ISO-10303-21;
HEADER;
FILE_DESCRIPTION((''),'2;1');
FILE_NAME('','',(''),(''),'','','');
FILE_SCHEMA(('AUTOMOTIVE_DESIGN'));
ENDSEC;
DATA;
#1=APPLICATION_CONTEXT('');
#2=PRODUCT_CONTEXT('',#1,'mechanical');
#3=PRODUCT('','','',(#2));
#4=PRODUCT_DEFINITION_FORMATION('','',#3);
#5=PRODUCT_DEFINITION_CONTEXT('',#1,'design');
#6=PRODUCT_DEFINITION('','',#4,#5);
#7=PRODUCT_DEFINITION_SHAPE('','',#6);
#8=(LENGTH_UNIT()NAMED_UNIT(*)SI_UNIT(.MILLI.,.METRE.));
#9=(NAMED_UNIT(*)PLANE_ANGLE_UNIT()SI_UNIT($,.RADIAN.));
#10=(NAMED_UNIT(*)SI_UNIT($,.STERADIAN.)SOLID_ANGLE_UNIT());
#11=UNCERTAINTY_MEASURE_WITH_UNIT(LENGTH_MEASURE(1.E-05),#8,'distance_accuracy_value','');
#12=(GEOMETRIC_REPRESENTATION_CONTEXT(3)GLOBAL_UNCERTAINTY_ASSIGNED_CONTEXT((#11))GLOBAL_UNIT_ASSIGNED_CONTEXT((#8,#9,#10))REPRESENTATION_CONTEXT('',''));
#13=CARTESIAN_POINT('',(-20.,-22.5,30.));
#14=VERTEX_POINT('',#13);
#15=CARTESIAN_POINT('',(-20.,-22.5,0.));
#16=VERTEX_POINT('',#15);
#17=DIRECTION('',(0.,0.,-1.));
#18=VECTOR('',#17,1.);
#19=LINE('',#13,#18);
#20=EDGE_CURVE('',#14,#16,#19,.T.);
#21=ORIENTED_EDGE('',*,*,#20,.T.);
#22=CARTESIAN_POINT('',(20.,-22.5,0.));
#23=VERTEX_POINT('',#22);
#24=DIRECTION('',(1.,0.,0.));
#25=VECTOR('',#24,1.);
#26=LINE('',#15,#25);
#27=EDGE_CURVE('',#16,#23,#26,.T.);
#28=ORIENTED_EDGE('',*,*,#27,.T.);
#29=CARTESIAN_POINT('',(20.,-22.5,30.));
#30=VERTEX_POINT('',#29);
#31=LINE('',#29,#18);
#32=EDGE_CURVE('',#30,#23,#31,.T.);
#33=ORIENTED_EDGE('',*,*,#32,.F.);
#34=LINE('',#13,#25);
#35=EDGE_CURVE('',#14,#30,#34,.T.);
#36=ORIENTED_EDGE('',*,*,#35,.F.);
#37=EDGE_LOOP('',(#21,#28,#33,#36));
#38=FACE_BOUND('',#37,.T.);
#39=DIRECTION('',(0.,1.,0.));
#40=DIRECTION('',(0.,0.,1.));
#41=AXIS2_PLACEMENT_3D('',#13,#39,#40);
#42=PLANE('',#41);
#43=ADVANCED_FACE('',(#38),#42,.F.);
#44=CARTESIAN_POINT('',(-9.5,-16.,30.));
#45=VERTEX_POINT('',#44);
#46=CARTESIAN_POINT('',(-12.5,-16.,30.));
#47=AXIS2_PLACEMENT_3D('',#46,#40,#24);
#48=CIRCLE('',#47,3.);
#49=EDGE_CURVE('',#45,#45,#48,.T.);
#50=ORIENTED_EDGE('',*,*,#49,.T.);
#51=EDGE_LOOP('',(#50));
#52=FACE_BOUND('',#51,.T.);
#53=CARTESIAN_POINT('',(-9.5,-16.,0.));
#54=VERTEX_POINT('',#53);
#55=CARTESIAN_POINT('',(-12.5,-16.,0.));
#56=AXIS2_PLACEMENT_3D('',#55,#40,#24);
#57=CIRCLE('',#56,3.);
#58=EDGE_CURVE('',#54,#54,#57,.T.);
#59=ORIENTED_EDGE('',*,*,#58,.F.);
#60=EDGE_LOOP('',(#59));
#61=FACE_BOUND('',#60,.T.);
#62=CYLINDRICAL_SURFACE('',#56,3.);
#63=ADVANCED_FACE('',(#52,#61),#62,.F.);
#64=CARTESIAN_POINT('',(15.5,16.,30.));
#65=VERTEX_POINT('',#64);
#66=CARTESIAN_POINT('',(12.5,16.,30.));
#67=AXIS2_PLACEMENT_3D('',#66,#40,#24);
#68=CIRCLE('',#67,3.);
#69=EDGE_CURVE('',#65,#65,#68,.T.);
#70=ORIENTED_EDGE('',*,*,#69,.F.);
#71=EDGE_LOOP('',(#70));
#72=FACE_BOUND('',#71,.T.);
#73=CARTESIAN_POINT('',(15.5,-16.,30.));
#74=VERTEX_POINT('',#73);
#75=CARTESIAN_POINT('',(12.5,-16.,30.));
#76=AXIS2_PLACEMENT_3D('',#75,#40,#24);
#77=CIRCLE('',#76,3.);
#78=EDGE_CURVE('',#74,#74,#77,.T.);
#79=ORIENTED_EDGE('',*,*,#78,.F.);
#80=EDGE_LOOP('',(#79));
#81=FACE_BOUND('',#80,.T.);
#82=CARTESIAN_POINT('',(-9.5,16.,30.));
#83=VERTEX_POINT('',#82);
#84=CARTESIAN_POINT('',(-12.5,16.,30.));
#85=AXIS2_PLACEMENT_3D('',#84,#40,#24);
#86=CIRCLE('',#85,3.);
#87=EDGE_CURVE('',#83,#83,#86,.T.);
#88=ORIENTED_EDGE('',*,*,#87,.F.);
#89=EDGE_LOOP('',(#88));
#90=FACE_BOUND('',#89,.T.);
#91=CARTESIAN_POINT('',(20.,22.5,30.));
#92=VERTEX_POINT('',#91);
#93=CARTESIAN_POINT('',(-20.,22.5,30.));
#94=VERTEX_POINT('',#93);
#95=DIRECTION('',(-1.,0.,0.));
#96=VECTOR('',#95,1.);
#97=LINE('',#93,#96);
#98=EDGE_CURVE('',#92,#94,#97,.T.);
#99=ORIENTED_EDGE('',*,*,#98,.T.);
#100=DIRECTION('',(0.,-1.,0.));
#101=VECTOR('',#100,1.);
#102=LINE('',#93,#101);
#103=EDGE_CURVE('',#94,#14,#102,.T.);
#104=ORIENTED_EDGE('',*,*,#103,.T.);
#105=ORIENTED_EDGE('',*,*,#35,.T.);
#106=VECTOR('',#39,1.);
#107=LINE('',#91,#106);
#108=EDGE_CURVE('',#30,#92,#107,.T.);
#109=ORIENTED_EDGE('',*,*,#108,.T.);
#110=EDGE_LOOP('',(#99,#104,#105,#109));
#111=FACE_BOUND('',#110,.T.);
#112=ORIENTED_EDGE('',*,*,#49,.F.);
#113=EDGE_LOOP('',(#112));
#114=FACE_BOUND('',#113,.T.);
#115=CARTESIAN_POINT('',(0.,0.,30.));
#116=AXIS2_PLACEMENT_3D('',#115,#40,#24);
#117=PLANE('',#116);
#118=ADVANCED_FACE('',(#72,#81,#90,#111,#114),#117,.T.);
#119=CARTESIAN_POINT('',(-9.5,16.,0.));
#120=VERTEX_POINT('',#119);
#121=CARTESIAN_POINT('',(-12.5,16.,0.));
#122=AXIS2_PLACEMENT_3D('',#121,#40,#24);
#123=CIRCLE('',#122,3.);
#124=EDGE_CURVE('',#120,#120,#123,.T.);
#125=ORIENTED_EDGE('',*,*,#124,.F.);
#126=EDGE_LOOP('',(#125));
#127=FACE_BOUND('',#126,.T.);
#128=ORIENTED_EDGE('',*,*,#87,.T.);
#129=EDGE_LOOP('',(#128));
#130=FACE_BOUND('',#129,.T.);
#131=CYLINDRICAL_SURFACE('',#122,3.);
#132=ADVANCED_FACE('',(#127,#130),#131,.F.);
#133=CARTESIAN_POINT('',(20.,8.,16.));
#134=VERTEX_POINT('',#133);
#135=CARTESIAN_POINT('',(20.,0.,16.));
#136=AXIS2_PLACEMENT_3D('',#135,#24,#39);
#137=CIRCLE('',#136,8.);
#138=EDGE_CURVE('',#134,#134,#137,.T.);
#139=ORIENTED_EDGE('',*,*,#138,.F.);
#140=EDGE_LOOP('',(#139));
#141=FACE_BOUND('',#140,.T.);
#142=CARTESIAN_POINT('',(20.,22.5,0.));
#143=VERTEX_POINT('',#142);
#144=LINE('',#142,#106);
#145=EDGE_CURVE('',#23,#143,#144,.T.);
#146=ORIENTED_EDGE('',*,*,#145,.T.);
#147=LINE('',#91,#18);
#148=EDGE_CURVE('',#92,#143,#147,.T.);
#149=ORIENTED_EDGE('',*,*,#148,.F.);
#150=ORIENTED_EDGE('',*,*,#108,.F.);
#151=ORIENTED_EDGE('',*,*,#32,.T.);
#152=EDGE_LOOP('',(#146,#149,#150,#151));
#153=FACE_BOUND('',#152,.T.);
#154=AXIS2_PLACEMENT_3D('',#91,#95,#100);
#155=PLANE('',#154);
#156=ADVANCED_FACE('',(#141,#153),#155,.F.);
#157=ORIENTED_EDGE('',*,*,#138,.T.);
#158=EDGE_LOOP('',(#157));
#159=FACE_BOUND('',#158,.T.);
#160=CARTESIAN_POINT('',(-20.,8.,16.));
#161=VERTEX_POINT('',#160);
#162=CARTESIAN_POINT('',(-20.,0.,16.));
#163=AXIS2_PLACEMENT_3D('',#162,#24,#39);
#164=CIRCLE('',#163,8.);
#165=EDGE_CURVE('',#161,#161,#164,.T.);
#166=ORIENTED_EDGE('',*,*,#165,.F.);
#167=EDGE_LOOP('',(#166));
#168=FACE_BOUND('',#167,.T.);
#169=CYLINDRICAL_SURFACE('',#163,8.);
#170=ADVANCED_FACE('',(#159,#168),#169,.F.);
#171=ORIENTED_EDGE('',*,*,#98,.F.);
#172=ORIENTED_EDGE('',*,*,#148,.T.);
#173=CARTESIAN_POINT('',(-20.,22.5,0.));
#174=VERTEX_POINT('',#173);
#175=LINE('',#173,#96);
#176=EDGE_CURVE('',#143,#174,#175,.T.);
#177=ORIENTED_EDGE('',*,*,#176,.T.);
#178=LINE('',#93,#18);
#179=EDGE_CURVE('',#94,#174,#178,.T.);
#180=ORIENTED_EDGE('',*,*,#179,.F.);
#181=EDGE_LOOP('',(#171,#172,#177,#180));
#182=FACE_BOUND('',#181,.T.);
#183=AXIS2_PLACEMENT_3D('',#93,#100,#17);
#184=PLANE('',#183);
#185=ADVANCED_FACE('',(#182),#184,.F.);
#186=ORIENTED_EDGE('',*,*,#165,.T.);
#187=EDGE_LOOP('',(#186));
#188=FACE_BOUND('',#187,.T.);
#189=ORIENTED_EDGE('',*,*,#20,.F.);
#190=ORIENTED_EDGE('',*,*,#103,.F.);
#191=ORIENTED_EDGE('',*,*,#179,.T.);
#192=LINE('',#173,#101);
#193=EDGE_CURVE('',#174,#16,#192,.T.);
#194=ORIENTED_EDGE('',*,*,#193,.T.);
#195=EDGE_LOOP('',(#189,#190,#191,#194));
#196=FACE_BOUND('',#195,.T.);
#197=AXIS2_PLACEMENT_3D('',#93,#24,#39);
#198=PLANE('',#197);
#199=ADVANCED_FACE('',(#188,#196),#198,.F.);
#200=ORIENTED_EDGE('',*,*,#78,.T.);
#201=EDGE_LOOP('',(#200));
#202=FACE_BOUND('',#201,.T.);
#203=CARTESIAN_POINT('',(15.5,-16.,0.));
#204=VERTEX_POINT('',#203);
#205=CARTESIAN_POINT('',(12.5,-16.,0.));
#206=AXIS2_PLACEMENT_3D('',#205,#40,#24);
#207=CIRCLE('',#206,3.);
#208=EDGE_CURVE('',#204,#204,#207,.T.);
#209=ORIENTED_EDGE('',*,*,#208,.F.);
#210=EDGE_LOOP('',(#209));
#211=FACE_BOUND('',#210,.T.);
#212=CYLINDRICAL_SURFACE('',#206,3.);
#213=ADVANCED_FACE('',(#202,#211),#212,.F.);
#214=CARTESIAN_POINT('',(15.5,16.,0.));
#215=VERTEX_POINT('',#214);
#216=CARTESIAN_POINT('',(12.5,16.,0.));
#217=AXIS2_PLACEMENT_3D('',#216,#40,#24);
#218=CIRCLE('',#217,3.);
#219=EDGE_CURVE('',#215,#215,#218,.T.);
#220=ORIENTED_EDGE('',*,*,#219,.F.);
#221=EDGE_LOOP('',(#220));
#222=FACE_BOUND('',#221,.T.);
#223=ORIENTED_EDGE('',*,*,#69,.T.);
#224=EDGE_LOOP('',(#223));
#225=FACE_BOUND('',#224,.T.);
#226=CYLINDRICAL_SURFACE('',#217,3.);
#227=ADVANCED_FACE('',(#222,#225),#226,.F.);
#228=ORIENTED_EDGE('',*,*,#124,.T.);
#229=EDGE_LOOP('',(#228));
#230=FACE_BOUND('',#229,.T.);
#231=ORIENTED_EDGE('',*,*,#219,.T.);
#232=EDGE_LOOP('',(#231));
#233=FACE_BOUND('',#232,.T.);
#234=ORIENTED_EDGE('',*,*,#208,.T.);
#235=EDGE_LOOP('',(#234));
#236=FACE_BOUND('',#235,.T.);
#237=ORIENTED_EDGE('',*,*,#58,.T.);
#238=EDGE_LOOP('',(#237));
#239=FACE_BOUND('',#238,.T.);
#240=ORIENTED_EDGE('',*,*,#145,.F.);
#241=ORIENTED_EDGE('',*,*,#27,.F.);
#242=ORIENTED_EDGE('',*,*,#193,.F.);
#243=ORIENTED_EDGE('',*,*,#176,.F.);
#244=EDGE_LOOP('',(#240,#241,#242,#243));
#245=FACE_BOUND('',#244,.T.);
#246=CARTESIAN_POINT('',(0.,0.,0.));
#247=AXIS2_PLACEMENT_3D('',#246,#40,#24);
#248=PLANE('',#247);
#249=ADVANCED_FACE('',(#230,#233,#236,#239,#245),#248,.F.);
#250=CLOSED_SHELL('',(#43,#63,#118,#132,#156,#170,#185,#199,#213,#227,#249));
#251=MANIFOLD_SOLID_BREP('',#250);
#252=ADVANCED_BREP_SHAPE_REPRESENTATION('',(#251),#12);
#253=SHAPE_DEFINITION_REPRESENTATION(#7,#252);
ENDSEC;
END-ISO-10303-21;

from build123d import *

# Parameters (mm, degrees)
SKETCH1_W           = 40
SKETCH1_H           = 45
BOSS_EXTRUDE1_DEPTH = 30
SKETCH2_R           = 8
CUT_EXTRUDE1_DEPTH  = 55.829280499
SKETCH3_R           = 3
CUT_EXTRUDE2_DEPTH  = 43.5


with BuildPart() as part:
    # Sketch1 → Boss-Extrude1 (new body)
    with BuildSketch(Plane.XY):
        Rectangle(SKETCH1_W, SKETCH1_H)
    extrude(amount=BOSS_EXTRUDE1_DEPTH)

    # Sketch2 → Cut-Extrude1 (cut, through all)
    with BuildSketch(Plane(origin=(20, 0, 0), x_dir=(0, 0, -1), z_dir=(1, 0, 0))):
        with Locations(Location((-16, 0, 0), (0, 0, 90))):
            Circle(SKETCH2_R)
    extrude(amount=-CUT_EXTRUDE1_DEPTH, mode=Mode.SUBTRACT)

    # Sketch3 → Cut-Extrude2 (cut, through all)
    with BuildSketch(Plane.XY.offset(30)):
        with Locations((-12.5, 16)):
            Circle(SKETCH3_R)
        with Locations((12.5, 16)):
            Circle(SKETCH3_R)
        with Locations((12.5, -16)):
            Circle(SKETCH3_R)
        with Locations((-12.5, -16)):
            Circle(SKETCH3_R)
    extrude(amount=-CUT_EXTRUDE2_DEPTH, mode=Mode.SUBTRACT)


solid = part.part
